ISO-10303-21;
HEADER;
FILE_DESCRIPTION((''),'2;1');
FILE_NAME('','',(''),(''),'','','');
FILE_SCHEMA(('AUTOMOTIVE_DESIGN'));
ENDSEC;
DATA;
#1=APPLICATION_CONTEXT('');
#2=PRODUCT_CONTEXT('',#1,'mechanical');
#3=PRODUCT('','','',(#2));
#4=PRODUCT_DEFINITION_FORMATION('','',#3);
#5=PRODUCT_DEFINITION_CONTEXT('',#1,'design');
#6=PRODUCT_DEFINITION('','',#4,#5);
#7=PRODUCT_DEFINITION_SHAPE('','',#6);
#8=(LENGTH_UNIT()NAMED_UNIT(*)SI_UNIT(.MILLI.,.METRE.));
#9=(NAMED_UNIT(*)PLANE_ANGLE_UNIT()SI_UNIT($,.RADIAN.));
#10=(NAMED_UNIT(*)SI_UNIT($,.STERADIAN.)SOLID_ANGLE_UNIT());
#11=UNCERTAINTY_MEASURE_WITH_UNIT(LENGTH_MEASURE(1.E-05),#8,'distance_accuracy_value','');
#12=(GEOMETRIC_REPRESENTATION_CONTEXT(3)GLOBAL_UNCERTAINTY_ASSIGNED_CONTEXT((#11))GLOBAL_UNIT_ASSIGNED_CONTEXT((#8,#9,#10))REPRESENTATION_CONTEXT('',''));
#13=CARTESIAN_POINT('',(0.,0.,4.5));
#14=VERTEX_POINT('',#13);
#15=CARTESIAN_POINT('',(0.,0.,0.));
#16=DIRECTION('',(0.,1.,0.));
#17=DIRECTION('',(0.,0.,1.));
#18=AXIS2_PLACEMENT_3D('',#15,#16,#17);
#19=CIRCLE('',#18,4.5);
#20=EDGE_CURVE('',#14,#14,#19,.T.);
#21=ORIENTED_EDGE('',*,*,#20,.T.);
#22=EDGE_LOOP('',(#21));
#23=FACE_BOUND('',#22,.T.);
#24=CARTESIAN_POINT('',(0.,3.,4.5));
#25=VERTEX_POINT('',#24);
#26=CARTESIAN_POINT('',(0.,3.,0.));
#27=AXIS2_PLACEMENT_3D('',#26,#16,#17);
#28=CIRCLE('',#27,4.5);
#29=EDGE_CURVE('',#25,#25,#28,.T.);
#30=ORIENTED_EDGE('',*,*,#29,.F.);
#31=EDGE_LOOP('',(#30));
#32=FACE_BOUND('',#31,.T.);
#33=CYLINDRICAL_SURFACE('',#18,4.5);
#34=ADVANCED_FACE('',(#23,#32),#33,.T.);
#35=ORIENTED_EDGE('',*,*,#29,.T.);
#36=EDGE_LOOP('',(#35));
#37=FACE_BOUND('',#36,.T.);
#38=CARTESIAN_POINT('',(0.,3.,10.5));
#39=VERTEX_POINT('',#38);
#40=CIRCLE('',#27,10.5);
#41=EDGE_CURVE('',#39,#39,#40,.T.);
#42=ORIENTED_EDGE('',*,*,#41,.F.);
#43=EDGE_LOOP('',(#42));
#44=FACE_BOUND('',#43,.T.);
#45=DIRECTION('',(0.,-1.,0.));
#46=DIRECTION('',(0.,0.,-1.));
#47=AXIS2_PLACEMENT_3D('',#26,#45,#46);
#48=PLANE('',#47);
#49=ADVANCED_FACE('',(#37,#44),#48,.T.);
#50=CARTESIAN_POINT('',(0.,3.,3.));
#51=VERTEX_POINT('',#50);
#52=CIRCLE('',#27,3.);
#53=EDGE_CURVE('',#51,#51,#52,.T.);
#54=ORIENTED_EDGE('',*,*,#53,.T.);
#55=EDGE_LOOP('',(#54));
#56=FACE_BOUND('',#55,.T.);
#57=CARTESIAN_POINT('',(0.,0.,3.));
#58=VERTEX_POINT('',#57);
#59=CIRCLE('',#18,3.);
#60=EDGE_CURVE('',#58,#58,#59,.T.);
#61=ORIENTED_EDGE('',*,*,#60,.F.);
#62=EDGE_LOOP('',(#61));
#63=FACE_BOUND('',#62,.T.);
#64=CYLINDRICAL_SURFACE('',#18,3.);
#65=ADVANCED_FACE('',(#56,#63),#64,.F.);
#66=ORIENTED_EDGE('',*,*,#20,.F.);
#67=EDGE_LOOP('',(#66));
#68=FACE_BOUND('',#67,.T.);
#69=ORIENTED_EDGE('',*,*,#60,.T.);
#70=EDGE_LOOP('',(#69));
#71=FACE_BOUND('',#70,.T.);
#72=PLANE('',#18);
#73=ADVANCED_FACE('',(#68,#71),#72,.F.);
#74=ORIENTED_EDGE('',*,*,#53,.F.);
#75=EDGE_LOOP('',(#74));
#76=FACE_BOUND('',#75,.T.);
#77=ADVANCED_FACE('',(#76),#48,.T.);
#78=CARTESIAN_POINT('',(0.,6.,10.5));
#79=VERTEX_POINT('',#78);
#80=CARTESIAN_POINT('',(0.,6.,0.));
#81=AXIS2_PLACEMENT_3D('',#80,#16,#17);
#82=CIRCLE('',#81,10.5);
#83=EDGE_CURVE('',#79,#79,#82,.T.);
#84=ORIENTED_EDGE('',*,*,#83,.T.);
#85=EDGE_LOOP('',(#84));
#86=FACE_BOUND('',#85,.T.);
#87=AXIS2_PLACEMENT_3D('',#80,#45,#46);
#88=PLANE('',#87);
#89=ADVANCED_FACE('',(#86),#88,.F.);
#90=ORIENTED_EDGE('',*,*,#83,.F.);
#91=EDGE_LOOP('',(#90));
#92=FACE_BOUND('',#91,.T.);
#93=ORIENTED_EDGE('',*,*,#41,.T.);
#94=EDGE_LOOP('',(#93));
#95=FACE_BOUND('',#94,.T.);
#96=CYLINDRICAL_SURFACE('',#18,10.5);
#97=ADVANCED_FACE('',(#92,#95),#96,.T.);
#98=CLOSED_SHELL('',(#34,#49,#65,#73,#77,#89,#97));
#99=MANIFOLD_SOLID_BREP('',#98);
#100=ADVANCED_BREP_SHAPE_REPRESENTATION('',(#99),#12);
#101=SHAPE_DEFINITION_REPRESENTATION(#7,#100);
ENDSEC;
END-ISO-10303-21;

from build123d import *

# Parameters (mm, degrees)
SKETCH1_W = 1.5
SKETCH1_H = 3


with BuildPart() as part:
    # Sketch1 → Revolve1 (revolve)
    with BuildSketch(Plane(origin=(0, 0, 0), x_dir=(0, 0, -1), z_dir=(1, 0, 0)), mode=Mode.PRIVATE) as revolve1_sk:
        Polygon((10.5, 6), (0, 6), (0, 3), (3, 3), (4.5, 3), (10.5, 3), align=None)
        with Locations((3.75, 1.5)):
            Rectangle(SKETCH1_W, SKETCH1_H)
    revolve(revolve1_sk.sketch.rotate(Axis((0, 0, 0), (0, -1, 0)), 180), axis=Axis((0, 0, 0), (0, -1, 0)))


solid = part.part
